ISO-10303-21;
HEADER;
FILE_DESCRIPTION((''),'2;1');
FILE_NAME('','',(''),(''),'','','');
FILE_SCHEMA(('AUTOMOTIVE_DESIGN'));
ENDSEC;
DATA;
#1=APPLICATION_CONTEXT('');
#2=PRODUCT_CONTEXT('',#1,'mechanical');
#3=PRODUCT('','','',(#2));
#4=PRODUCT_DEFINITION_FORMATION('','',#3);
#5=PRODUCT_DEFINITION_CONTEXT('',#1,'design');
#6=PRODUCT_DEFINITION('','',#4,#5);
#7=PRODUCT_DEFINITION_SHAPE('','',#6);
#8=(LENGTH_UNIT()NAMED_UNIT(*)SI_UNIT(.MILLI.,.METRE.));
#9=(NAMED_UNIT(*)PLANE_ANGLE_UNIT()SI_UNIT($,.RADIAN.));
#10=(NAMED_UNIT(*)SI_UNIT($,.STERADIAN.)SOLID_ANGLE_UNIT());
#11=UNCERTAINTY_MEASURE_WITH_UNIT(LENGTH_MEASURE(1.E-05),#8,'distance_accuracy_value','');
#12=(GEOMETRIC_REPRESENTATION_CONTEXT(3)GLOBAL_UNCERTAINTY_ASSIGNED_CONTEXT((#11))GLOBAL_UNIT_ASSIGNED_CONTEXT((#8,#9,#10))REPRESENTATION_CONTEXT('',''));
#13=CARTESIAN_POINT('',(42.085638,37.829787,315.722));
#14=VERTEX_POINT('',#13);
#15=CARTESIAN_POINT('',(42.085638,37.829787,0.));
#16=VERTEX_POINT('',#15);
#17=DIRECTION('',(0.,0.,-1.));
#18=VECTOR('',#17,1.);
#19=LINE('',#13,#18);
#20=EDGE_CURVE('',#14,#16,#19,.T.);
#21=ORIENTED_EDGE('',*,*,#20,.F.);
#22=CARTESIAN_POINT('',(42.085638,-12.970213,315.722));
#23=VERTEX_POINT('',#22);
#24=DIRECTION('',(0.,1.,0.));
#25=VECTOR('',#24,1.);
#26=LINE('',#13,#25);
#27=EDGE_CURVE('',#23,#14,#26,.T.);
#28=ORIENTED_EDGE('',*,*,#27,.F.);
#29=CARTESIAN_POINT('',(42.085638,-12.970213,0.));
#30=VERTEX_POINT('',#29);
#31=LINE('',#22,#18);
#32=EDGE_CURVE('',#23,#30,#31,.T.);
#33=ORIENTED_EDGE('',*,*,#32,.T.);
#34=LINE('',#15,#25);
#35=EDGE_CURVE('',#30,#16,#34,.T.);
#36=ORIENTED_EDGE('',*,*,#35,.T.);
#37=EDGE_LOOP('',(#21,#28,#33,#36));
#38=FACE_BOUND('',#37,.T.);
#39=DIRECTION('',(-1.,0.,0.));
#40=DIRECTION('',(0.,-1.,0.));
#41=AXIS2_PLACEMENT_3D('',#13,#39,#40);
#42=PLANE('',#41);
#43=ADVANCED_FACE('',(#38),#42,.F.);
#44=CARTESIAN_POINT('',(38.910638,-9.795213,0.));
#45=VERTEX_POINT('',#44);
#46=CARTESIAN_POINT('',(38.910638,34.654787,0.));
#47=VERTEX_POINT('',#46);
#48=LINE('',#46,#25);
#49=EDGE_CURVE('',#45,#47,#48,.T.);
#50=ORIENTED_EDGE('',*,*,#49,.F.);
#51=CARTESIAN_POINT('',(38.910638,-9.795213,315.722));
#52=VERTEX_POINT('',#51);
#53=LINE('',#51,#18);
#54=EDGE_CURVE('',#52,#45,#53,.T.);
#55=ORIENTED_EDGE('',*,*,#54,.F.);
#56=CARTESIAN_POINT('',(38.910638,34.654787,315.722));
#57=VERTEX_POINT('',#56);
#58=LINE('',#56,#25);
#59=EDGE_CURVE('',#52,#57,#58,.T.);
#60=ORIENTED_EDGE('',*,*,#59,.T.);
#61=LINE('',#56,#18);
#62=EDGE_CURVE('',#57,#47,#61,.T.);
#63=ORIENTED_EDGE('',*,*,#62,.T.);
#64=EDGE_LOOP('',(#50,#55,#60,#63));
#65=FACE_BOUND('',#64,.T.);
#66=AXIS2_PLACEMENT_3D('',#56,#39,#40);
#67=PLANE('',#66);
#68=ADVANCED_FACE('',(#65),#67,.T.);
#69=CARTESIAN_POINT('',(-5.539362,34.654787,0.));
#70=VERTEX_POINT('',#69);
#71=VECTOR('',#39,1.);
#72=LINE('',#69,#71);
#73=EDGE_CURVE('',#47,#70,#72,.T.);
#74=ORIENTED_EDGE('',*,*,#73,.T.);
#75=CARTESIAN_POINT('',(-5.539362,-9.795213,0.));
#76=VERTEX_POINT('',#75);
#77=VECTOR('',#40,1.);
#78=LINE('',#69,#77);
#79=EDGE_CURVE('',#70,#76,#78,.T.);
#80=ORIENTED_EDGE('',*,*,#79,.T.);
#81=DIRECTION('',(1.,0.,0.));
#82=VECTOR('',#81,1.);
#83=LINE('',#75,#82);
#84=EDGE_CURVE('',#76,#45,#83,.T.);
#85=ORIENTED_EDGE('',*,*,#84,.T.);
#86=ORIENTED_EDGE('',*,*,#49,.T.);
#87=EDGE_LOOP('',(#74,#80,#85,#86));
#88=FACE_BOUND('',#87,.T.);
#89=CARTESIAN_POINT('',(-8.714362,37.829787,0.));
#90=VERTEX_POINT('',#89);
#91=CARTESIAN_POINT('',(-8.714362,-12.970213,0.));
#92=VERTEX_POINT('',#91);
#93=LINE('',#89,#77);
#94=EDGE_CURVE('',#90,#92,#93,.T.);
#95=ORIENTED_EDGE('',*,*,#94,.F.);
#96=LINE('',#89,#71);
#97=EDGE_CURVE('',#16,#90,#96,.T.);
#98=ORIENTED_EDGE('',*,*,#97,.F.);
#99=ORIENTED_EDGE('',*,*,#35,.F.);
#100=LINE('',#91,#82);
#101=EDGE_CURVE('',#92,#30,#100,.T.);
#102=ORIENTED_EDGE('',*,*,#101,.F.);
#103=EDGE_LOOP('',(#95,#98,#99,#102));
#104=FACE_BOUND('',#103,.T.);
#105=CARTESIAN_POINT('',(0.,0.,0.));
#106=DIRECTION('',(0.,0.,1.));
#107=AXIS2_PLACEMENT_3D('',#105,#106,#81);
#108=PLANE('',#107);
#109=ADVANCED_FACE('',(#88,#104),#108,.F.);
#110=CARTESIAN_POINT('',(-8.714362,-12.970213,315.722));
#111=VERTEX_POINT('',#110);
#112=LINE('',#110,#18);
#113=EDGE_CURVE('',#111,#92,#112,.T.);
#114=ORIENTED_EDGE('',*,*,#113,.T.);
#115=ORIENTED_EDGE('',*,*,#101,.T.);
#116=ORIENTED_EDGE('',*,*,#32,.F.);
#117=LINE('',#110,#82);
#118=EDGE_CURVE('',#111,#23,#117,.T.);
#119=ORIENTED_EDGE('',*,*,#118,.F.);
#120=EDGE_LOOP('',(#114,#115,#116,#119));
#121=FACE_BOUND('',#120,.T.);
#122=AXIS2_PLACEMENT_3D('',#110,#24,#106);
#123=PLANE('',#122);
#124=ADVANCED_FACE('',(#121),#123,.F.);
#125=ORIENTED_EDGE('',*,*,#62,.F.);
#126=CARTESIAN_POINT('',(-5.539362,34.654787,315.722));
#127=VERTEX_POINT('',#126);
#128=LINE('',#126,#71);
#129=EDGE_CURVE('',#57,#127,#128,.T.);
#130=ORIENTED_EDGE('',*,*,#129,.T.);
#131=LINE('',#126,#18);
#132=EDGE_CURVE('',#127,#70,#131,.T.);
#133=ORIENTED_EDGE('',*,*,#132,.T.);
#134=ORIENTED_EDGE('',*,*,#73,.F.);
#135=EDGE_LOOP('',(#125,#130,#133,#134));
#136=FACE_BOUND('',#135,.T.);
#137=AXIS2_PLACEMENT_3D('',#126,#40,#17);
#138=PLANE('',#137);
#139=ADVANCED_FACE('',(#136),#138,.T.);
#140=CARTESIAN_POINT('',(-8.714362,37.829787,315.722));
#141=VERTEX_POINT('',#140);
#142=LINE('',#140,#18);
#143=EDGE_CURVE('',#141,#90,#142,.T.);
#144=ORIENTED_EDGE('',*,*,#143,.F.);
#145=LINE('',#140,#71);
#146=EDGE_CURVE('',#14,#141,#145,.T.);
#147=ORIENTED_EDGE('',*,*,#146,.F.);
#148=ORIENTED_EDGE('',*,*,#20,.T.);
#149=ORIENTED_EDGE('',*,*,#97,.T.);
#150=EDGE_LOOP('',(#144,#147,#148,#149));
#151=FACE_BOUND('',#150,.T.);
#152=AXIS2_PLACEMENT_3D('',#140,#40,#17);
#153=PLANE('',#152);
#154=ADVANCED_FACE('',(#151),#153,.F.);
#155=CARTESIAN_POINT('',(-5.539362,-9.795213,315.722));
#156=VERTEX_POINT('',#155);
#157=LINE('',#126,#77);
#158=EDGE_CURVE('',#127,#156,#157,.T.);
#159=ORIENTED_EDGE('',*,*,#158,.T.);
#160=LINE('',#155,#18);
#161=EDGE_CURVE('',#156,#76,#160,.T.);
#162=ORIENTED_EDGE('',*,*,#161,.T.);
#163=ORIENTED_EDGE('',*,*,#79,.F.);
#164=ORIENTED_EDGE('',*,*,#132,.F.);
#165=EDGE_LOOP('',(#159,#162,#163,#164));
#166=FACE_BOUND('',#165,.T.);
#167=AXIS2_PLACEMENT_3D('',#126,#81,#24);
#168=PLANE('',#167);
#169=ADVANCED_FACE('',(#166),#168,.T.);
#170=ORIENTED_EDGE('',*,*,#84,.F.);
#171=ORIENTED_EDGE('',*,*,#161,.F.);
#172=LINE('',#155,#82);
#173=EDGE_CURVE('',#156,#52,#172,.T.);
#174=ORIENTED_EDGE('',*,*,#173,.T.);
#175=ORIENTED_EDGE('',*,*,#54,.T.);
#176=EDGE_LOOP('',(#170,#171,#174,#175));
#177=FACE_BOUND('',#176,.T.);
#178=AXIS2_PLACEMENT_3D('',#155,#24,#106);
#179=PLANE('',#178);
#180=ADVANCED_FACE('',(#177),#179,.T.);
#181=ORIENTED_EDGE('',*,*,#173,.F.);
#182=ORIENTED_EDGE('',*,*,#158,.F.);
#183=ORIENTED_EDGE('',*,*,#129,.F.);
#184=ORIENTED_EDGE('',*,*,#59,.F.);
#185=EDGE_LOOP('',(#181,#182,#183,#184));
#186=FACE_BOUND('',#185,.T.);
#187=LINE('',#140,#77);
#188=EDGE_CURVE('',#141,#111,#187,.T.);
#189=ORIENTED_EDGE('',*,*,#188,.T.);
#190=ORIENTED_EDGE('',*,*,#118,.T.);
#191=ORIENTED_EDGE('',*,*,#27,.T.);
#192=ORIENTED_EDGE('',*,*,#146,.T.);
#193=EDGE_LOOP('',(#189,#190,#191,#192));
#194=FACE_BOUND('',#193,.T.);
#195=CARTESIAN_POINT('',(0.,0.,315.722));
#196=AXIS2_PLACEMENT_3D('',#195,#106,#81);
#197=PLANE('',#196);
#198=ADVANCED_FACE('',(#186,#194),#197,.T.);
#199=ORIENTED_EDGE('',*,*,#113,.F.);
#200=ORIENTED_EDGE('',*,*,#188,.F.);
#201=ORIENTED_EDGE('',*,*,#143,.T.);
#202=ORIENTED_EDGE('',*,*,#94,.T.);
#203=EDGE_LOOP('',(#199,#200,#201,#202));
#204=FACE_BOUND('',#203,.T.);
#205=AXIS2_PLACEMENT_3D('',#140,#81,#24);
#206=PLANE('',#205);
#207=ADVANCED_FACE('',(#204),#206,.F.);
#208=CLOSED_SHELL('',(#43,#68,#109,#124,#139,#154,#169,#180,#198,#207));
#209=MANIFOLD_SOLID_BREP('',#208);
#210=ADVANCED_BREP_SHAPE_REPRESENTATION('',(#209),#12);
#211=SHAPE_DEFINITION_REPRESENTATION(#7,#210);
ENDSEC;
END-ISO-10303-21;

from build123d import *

# Parameters (mm, degrees)
SKETCH1_W           = 50.8
SKETCH1_H           = 50.8
SKETCH1_W_2         = 44.45
SKETCH1_H_2         = 44.45
BOSS_EXTRUDE1_DEPTH = 315.722


with BuildPart() as part:
    # Sketch1 → Boss-Extrude1 (new body)
    with BuildSketch(Plane.XY):
        with Locations((16.685638298, 12.429787234)):
            Rectangle(SKETCH1_W, SKETCH1_H)
        with Locations((16.685638298, 12.429787234)):
            Rectangle(SKETCH1_W_2, SKETCH1_H_2, mode=Mode.SUBTRACT)
    extrude(amount=BOSS_EXTRUDE1_DEPTH)


solid = part.part
